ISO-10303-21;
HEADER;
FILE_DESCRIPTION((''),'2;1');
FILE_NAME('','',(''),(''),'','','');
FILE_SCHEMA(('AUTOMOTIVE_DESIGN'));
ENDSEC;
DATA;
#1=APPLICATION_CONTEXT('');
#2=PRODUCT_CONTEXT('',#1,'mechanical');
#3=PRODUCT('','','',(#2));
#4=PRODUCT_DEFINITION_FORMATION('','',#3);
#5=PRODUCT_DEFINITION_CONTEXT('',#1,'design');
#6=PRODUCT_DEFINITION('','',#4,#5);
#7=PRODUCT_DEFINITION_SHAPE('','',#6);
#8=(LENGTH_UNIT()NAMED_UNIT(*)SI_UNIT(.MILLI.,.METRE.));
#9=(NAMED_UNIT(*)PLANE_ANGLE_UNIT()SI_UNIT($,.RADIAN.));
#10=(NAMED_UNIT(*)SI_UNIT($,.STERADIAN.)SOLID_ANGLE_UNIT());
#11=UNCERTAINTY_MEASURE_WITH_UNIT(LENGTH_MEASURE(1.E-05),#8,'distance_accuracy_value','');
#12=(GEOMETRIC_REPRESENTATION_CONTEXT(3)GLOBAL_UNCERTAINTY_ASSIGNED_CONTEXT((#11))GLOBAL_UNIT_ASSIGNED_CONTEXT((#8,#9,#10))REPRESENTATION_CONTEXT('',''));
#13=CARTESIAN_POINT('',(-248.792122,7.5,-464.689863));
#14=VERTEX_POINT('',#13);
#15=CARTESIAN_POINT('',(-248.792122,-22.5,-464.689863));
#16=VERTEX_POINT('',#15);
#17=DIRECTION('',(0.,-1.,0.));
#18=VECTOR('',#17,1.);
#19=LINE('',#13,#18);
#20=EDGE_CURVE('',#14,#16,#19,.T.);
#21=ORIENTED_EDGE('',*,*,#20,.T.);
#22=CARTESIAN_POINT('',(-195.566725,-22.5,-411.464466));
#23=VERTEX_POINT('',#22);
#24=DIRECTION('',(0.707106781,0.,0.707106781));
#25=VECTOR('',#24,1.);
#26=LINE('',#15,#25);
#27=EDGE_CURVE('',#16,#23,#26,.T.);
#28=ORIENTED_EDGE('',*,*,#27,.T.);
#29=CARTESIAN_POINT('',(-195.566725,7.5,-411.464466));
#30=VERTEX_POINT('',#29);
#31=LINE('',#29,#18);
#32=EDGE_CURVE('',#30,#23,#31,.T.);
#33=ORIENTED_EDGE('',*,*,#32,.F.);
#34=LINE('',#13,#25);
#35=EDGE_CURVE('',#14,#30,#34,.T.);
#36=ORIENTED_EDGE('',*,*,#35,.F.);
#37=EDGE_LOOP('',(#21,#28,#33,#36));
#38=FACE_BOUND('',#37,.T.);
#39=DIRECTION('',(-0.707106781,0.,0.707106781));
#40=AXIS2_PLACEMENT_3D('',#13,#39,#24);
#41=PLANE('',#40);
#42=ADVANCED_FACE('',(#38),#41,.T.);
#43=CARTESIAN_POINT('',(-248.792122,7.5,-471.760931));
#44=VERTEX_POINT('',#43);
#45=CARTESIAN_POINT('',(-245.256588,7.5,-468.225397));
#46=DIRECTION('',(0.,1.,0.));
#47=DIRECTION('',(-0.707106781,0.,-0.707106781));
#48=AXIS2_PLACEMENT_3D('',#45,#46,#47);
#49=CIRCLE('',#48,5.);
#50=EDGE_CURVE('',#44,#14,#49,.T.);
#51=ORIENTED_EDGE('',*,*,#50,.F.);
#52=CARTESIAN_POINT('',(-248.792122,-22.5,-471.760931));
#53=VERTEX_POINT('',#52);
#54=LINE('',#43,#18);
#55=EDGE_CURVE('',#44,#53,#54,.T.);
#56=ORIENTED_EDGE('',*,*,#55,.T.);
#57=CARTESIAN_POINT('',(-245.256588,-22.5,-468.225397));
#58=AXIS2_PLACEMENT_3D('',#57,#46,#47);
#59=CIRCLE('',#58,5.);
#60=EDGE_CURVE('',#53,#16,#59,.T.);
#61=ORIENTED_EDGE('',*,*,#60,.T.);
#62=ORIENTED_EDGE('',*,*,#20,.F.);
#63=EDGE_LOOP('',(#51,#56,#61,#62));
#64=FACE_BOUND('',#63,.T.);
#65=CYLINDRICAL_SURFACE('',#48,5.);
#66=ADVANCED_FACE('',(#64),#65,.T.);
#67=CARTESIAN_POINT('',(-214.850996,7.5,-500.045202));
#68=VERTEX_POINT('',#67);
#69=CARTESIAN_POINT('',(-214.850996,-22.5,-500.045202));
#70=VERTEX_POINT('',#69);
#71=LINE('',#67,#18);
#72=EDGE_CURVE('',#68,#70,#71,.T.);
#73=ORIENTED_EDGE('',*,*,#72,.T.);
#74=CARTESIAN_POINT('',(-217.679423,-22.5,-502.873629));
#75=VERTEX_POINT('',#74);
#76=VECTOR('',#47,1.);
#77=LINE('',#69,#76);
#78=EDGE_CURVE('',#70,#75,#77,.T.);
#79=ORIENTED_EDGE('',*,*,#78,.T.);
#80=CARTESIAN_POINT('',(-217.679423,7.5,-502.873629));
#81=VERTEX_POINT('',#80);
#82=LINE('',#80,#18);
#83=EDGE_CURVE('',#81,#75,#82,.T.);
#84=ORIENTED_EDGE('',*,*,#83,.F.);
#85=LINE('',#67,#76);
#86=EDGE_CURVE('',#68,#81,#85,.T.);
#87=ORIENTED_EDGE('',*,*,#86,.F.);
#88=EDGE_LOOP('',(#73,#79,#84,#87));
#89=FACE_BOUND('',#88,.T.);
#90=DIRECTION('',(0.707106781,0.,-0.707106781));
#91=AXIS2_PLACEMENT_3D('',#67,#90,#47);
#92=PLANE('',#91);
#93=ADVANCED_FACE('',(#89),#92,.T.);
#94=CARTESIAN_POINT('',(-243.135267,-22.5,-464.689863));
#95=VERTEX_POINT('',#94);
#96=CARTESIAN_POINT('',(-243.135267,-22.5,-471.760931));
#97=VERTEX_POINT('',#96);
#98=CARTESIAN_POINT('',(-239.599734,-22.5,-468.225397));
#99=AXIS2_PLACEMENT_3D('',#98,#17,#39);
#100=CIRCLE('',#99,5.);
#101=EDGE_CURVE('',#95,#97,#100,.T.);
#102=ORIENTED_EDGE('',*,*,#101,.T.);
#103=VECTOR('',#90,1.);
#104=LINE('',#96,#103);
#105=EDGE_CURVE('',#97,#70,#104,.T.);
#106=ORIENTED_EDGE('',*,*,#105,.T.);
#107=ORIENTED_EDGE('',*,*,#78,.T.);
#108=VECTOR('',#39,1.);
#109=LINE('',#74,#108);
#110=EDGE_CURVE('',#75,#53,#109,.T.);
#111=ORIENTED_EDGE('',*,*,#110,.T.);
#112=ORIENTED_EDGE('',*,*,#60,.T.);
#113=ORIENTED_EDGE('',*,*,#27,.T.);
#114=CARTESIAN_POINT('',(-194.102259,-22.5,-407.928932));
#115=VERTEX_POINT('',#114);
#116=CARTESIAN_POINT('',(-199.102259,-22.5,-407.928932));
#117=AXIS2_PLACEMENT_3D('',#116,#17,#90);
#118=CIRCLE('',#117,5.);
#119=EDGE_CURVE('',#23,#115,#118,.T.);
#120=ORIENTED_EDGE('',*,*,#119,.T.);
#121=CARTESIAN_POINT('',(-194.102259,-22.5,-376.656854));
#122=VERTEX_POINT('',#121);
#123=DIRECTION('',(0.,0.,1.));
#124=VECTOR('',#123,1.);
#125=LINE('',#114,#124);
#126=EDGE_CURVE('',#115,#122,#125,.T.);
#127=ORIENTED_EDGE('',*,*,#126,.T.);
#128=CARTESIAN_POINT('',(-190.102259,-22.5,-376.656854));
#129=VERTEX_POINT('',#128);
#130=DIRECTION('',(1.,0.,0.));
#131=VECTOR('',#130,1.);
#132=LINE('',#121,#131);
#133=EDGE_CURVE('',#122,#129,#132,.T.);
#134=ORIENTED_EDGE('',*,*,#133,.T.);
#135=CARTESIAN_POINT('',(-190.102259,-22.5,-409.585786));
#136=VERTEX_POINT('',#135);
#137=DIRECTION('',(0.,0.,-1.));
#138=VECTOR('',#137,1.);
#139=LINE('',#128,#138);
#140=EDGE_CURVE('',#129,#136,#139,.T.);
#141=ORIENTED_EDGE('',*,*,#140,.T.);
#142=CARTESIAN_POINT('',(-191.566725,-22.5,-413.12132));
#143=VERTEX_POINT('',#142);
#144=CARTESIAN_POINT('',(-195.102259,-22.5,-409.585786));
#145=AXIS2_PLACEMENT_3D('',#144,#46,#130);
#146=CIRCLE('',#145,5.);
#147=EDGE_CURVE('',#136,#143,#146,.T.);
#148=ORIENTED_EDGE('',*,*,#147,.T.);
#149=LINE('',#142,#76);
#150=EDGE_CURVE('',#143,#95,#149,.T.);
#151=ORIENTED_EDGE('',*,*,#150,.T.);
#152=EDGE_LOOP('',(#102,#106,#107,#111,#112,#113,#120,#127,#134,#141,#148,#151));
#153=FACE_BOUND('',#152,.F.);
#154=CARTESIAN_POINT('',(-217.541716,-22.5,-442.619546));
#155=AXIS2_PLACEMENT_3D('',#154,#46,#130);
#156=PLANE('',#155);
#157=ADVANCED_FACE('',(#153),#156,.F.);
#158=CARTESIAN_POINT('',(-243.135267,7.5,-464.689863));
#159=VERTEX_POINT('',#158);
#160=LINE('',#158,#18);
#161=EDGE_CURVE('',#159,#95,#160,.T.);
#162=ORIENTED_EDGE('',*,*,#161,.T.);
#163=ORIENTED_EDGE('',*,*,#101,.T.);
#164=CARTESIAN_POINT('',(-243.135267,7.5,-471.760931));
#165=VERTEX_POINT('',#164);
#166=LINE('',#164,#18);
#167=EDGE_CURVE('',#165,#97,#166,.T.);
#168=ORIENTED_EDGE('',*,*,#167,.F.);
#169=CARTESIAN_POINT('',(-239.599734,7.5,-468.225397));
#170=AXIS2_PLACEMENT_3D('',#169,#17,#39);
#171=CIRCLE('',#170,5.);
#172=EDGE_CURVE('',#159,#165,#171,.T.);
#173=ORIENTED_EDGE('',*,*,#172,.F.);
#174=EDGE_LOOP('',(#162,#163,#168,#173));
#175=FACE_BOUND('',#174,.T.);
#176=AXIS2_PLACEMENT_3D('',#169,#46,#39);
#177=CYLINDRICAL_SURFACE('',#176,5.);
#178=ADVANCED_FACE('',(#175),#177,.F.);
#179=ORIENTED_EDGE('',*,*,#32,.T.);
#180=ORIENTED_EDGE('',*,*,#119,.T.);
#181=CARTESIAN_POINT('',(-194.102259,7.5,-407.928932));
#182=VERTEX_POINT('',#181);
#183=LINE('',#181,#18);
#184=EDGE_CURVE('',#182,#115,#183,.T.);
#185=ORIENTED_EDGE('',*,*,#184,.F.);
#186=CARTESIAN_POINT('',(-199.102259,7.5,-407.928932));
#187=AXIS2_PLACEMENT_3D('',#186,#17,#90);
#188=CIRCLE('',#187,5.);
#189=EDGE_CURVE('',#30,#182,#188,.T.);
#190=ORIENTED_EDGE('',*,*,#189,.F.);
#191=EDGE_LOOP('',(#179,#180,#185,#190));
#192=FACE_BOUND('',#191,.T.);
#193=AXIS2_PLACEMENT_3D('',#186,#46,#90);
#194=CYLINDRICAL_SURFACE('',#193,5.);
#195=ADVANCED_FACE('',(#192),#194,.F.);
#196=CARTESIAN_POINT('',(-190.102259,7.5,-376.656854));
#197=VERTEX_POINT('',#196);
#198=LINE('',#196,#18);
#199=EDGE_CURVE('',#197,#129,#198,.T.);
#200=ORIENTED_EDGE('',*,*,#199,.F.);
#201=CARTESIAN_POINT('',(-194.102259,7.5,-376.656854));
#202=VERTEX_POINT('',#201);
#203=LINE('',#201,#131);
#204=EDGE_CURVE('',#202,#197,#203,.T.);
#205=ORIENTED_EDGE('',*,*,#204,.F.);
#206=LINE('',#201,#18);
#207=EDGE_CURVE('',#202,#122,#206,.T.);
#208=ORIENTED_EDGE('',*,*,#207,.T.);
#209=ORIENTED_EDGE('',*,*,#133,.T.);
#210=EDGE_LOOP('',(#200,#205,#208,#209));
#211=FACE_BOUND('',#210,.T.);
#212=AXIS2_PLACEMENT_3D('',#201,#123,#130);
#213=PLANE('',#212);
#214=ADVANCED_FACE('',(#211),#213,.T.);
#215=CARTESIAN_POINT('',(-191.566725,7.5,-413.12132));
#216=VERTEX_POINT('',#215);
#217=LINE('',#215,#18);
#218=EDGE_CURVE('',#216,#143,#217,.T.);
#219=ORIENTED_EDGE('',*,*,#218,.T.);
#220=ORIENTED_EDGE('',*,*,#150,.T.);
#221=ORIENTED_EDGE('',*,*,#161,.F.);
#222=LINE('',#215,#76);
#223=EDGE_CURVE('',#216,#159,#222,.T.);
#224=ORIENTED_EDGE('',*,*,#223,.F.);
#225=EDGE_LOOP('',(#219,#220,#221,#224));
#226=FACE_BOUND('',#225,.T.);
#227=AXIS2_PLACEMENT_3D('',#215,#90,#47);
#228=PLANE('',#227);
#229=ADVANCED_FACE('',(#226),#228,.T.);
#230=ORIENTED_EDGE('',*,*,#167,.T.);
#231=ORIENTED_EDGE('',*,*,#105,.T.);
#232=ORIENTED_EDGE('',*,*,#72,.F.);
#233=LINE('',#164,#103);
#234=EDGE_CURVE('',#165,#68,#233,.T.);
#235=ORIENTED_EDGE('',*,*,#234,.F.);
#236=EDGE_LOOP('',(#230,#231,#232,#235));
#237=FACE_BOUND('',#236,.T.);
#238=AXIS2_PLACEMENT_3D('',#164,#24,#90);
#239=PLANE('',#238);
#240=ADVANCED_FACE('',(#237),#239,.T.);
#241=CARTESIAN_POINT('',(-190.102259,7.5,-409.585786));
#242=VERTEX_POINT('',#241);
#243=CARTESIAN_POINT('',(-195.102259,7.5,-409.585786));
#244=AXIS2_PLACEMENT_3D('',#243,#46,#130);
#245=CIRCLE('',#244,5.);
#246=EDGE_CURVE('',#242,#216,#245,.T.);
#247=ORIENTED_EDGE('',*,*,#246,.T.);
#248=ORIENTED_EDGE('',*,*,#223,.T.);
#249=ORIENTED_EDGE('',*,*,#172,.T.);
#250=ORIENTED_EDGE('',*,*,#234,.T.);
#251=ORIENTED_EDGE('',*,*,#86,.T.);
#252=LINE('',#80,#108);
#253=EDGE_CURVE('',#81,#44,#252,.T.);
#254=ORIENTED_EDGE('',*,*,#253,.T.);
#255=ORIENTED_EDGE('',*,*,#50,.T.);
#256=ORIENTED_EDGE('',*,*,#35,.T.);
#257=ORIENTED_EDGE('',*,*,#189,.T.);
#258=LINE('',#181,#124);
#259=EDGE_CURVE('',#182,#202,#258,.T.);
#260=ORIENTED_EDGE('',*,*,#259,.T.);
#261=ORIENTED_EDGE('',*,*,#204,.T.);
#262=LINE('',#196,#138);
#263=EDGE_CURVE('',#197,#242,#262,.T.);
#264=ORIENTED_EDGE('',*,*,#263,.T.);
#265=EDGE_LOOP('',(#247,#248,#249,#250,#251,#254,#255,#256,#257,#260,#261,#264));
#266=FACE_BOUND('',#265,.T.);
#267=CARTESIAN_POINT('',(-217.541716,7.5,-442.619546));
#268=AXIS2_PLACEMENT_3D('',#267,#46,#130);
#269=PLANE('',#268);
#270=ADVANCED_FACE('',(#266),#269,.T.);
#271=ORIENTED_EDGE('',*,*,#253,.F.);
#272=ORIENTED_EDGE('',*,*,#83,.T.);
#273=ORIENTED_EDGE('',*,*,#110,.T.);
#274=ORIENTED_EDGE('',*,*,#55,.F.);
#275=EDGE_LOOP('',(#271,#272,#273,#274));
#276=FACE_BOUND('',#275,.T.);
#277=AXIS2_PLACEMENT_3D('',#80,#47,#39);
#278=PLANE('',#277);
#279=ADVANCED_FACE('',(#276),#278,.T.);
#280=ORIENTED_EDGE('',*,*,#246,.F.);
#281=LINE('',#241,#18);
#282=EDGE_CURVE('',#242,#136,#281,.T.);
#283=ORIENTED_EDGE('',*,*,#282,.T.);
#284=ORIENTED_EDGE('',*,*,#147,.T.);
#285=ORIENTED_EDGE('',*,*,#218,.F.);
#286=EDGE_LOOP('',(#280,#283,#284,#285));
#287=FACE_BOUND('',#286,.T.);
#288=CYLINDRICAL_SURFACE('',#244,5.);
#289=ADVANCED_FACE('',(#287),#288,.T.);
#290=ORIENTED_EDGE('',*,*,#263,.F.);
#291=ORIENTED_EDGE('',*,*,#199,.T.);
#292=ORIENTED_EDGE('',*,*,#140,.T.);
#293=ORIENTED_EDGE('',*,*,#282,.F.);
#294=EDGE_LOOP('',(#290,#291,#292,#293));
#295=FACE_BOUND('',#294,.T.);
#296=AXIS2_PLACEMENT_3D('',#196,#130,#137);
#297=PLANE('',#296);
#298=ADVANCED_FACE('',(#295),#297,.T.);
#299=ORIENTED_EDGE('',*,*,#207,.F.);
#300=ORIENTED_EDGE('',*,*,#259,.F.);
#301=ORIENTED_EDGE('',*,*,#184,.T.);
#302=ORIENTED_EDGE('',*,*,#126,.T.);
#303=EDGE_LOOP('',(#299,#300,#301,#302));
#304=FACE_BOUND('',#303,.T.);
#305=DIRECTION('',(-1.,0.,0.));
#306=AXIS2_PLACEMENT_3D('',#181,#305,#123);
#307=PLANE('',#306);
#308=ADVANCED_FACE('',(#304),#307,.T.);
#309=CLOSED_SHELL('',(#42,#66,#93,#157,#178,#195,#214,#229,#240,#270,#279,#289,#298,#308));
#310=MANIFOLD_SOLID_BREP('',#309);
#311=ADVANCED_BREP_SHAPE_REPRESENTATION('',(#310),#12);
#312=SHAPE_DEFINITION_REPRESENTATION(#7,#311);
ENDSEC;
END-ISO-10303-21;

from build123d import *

# Parameters (mm, degrees)
BOSS_EXTRUDE1_DEPTH = 30


with BuildPart() as part:
    # Sketch1 → Boss-Extrude1 (new body)
    with BuildSketch(Plane(origin=(0, 7.5, 0), x_dir=(1, 0, 0), z_dir=(0, 1, 0))):
        with BuildLine():
            Line((-248.792121733, 464.689862838), (-195.566724989, 411.464466094))
            ThreePointArc((-195.566724989, 411.464466094), (-194.482861232, 409.84234935), (-194.102258895, 407.928932188))
            Line((-194.102258895, 407.928932188), (-194.102258895, 376.656854249))
            Line((-194.102258895, 376.656854249), (-190.102258895, 376.656854249))
            Line((-190.102258895, 376.656854249), (-190.102258895, 409.585786438))
            ThreePointArc((-190.102258895, 409.585786438), (-190.482861232, 411.499203599), (-191.566724989, 413.121320344))
            Line((-191.566724989, 413.121320344), (-243.135267484, 464.689862838))
            ThreePointArc((-243.135267484, 464.689862838), (-244.599733578, 468.225396744), (-243.135267484, 471.76093065))
            Line((-243.135267484, 471.76093065), (-214.850996236, 500.045201898))
            Line((-214.850996236, 500.045201898), (-217.679423361, 502.873629023))
            Line((-217.679423361, 502.873629023), (-248.792121733, 471.76093065))
            ThreePointArc((-248.792121733, 471.76093065), (-250.256587827, 468.225396744), (-248.792121733, 464.689862838))
        make_face()
    extrude(amount=-BOSS_EXTRUDE1_DEPTH)


solid = part.part
